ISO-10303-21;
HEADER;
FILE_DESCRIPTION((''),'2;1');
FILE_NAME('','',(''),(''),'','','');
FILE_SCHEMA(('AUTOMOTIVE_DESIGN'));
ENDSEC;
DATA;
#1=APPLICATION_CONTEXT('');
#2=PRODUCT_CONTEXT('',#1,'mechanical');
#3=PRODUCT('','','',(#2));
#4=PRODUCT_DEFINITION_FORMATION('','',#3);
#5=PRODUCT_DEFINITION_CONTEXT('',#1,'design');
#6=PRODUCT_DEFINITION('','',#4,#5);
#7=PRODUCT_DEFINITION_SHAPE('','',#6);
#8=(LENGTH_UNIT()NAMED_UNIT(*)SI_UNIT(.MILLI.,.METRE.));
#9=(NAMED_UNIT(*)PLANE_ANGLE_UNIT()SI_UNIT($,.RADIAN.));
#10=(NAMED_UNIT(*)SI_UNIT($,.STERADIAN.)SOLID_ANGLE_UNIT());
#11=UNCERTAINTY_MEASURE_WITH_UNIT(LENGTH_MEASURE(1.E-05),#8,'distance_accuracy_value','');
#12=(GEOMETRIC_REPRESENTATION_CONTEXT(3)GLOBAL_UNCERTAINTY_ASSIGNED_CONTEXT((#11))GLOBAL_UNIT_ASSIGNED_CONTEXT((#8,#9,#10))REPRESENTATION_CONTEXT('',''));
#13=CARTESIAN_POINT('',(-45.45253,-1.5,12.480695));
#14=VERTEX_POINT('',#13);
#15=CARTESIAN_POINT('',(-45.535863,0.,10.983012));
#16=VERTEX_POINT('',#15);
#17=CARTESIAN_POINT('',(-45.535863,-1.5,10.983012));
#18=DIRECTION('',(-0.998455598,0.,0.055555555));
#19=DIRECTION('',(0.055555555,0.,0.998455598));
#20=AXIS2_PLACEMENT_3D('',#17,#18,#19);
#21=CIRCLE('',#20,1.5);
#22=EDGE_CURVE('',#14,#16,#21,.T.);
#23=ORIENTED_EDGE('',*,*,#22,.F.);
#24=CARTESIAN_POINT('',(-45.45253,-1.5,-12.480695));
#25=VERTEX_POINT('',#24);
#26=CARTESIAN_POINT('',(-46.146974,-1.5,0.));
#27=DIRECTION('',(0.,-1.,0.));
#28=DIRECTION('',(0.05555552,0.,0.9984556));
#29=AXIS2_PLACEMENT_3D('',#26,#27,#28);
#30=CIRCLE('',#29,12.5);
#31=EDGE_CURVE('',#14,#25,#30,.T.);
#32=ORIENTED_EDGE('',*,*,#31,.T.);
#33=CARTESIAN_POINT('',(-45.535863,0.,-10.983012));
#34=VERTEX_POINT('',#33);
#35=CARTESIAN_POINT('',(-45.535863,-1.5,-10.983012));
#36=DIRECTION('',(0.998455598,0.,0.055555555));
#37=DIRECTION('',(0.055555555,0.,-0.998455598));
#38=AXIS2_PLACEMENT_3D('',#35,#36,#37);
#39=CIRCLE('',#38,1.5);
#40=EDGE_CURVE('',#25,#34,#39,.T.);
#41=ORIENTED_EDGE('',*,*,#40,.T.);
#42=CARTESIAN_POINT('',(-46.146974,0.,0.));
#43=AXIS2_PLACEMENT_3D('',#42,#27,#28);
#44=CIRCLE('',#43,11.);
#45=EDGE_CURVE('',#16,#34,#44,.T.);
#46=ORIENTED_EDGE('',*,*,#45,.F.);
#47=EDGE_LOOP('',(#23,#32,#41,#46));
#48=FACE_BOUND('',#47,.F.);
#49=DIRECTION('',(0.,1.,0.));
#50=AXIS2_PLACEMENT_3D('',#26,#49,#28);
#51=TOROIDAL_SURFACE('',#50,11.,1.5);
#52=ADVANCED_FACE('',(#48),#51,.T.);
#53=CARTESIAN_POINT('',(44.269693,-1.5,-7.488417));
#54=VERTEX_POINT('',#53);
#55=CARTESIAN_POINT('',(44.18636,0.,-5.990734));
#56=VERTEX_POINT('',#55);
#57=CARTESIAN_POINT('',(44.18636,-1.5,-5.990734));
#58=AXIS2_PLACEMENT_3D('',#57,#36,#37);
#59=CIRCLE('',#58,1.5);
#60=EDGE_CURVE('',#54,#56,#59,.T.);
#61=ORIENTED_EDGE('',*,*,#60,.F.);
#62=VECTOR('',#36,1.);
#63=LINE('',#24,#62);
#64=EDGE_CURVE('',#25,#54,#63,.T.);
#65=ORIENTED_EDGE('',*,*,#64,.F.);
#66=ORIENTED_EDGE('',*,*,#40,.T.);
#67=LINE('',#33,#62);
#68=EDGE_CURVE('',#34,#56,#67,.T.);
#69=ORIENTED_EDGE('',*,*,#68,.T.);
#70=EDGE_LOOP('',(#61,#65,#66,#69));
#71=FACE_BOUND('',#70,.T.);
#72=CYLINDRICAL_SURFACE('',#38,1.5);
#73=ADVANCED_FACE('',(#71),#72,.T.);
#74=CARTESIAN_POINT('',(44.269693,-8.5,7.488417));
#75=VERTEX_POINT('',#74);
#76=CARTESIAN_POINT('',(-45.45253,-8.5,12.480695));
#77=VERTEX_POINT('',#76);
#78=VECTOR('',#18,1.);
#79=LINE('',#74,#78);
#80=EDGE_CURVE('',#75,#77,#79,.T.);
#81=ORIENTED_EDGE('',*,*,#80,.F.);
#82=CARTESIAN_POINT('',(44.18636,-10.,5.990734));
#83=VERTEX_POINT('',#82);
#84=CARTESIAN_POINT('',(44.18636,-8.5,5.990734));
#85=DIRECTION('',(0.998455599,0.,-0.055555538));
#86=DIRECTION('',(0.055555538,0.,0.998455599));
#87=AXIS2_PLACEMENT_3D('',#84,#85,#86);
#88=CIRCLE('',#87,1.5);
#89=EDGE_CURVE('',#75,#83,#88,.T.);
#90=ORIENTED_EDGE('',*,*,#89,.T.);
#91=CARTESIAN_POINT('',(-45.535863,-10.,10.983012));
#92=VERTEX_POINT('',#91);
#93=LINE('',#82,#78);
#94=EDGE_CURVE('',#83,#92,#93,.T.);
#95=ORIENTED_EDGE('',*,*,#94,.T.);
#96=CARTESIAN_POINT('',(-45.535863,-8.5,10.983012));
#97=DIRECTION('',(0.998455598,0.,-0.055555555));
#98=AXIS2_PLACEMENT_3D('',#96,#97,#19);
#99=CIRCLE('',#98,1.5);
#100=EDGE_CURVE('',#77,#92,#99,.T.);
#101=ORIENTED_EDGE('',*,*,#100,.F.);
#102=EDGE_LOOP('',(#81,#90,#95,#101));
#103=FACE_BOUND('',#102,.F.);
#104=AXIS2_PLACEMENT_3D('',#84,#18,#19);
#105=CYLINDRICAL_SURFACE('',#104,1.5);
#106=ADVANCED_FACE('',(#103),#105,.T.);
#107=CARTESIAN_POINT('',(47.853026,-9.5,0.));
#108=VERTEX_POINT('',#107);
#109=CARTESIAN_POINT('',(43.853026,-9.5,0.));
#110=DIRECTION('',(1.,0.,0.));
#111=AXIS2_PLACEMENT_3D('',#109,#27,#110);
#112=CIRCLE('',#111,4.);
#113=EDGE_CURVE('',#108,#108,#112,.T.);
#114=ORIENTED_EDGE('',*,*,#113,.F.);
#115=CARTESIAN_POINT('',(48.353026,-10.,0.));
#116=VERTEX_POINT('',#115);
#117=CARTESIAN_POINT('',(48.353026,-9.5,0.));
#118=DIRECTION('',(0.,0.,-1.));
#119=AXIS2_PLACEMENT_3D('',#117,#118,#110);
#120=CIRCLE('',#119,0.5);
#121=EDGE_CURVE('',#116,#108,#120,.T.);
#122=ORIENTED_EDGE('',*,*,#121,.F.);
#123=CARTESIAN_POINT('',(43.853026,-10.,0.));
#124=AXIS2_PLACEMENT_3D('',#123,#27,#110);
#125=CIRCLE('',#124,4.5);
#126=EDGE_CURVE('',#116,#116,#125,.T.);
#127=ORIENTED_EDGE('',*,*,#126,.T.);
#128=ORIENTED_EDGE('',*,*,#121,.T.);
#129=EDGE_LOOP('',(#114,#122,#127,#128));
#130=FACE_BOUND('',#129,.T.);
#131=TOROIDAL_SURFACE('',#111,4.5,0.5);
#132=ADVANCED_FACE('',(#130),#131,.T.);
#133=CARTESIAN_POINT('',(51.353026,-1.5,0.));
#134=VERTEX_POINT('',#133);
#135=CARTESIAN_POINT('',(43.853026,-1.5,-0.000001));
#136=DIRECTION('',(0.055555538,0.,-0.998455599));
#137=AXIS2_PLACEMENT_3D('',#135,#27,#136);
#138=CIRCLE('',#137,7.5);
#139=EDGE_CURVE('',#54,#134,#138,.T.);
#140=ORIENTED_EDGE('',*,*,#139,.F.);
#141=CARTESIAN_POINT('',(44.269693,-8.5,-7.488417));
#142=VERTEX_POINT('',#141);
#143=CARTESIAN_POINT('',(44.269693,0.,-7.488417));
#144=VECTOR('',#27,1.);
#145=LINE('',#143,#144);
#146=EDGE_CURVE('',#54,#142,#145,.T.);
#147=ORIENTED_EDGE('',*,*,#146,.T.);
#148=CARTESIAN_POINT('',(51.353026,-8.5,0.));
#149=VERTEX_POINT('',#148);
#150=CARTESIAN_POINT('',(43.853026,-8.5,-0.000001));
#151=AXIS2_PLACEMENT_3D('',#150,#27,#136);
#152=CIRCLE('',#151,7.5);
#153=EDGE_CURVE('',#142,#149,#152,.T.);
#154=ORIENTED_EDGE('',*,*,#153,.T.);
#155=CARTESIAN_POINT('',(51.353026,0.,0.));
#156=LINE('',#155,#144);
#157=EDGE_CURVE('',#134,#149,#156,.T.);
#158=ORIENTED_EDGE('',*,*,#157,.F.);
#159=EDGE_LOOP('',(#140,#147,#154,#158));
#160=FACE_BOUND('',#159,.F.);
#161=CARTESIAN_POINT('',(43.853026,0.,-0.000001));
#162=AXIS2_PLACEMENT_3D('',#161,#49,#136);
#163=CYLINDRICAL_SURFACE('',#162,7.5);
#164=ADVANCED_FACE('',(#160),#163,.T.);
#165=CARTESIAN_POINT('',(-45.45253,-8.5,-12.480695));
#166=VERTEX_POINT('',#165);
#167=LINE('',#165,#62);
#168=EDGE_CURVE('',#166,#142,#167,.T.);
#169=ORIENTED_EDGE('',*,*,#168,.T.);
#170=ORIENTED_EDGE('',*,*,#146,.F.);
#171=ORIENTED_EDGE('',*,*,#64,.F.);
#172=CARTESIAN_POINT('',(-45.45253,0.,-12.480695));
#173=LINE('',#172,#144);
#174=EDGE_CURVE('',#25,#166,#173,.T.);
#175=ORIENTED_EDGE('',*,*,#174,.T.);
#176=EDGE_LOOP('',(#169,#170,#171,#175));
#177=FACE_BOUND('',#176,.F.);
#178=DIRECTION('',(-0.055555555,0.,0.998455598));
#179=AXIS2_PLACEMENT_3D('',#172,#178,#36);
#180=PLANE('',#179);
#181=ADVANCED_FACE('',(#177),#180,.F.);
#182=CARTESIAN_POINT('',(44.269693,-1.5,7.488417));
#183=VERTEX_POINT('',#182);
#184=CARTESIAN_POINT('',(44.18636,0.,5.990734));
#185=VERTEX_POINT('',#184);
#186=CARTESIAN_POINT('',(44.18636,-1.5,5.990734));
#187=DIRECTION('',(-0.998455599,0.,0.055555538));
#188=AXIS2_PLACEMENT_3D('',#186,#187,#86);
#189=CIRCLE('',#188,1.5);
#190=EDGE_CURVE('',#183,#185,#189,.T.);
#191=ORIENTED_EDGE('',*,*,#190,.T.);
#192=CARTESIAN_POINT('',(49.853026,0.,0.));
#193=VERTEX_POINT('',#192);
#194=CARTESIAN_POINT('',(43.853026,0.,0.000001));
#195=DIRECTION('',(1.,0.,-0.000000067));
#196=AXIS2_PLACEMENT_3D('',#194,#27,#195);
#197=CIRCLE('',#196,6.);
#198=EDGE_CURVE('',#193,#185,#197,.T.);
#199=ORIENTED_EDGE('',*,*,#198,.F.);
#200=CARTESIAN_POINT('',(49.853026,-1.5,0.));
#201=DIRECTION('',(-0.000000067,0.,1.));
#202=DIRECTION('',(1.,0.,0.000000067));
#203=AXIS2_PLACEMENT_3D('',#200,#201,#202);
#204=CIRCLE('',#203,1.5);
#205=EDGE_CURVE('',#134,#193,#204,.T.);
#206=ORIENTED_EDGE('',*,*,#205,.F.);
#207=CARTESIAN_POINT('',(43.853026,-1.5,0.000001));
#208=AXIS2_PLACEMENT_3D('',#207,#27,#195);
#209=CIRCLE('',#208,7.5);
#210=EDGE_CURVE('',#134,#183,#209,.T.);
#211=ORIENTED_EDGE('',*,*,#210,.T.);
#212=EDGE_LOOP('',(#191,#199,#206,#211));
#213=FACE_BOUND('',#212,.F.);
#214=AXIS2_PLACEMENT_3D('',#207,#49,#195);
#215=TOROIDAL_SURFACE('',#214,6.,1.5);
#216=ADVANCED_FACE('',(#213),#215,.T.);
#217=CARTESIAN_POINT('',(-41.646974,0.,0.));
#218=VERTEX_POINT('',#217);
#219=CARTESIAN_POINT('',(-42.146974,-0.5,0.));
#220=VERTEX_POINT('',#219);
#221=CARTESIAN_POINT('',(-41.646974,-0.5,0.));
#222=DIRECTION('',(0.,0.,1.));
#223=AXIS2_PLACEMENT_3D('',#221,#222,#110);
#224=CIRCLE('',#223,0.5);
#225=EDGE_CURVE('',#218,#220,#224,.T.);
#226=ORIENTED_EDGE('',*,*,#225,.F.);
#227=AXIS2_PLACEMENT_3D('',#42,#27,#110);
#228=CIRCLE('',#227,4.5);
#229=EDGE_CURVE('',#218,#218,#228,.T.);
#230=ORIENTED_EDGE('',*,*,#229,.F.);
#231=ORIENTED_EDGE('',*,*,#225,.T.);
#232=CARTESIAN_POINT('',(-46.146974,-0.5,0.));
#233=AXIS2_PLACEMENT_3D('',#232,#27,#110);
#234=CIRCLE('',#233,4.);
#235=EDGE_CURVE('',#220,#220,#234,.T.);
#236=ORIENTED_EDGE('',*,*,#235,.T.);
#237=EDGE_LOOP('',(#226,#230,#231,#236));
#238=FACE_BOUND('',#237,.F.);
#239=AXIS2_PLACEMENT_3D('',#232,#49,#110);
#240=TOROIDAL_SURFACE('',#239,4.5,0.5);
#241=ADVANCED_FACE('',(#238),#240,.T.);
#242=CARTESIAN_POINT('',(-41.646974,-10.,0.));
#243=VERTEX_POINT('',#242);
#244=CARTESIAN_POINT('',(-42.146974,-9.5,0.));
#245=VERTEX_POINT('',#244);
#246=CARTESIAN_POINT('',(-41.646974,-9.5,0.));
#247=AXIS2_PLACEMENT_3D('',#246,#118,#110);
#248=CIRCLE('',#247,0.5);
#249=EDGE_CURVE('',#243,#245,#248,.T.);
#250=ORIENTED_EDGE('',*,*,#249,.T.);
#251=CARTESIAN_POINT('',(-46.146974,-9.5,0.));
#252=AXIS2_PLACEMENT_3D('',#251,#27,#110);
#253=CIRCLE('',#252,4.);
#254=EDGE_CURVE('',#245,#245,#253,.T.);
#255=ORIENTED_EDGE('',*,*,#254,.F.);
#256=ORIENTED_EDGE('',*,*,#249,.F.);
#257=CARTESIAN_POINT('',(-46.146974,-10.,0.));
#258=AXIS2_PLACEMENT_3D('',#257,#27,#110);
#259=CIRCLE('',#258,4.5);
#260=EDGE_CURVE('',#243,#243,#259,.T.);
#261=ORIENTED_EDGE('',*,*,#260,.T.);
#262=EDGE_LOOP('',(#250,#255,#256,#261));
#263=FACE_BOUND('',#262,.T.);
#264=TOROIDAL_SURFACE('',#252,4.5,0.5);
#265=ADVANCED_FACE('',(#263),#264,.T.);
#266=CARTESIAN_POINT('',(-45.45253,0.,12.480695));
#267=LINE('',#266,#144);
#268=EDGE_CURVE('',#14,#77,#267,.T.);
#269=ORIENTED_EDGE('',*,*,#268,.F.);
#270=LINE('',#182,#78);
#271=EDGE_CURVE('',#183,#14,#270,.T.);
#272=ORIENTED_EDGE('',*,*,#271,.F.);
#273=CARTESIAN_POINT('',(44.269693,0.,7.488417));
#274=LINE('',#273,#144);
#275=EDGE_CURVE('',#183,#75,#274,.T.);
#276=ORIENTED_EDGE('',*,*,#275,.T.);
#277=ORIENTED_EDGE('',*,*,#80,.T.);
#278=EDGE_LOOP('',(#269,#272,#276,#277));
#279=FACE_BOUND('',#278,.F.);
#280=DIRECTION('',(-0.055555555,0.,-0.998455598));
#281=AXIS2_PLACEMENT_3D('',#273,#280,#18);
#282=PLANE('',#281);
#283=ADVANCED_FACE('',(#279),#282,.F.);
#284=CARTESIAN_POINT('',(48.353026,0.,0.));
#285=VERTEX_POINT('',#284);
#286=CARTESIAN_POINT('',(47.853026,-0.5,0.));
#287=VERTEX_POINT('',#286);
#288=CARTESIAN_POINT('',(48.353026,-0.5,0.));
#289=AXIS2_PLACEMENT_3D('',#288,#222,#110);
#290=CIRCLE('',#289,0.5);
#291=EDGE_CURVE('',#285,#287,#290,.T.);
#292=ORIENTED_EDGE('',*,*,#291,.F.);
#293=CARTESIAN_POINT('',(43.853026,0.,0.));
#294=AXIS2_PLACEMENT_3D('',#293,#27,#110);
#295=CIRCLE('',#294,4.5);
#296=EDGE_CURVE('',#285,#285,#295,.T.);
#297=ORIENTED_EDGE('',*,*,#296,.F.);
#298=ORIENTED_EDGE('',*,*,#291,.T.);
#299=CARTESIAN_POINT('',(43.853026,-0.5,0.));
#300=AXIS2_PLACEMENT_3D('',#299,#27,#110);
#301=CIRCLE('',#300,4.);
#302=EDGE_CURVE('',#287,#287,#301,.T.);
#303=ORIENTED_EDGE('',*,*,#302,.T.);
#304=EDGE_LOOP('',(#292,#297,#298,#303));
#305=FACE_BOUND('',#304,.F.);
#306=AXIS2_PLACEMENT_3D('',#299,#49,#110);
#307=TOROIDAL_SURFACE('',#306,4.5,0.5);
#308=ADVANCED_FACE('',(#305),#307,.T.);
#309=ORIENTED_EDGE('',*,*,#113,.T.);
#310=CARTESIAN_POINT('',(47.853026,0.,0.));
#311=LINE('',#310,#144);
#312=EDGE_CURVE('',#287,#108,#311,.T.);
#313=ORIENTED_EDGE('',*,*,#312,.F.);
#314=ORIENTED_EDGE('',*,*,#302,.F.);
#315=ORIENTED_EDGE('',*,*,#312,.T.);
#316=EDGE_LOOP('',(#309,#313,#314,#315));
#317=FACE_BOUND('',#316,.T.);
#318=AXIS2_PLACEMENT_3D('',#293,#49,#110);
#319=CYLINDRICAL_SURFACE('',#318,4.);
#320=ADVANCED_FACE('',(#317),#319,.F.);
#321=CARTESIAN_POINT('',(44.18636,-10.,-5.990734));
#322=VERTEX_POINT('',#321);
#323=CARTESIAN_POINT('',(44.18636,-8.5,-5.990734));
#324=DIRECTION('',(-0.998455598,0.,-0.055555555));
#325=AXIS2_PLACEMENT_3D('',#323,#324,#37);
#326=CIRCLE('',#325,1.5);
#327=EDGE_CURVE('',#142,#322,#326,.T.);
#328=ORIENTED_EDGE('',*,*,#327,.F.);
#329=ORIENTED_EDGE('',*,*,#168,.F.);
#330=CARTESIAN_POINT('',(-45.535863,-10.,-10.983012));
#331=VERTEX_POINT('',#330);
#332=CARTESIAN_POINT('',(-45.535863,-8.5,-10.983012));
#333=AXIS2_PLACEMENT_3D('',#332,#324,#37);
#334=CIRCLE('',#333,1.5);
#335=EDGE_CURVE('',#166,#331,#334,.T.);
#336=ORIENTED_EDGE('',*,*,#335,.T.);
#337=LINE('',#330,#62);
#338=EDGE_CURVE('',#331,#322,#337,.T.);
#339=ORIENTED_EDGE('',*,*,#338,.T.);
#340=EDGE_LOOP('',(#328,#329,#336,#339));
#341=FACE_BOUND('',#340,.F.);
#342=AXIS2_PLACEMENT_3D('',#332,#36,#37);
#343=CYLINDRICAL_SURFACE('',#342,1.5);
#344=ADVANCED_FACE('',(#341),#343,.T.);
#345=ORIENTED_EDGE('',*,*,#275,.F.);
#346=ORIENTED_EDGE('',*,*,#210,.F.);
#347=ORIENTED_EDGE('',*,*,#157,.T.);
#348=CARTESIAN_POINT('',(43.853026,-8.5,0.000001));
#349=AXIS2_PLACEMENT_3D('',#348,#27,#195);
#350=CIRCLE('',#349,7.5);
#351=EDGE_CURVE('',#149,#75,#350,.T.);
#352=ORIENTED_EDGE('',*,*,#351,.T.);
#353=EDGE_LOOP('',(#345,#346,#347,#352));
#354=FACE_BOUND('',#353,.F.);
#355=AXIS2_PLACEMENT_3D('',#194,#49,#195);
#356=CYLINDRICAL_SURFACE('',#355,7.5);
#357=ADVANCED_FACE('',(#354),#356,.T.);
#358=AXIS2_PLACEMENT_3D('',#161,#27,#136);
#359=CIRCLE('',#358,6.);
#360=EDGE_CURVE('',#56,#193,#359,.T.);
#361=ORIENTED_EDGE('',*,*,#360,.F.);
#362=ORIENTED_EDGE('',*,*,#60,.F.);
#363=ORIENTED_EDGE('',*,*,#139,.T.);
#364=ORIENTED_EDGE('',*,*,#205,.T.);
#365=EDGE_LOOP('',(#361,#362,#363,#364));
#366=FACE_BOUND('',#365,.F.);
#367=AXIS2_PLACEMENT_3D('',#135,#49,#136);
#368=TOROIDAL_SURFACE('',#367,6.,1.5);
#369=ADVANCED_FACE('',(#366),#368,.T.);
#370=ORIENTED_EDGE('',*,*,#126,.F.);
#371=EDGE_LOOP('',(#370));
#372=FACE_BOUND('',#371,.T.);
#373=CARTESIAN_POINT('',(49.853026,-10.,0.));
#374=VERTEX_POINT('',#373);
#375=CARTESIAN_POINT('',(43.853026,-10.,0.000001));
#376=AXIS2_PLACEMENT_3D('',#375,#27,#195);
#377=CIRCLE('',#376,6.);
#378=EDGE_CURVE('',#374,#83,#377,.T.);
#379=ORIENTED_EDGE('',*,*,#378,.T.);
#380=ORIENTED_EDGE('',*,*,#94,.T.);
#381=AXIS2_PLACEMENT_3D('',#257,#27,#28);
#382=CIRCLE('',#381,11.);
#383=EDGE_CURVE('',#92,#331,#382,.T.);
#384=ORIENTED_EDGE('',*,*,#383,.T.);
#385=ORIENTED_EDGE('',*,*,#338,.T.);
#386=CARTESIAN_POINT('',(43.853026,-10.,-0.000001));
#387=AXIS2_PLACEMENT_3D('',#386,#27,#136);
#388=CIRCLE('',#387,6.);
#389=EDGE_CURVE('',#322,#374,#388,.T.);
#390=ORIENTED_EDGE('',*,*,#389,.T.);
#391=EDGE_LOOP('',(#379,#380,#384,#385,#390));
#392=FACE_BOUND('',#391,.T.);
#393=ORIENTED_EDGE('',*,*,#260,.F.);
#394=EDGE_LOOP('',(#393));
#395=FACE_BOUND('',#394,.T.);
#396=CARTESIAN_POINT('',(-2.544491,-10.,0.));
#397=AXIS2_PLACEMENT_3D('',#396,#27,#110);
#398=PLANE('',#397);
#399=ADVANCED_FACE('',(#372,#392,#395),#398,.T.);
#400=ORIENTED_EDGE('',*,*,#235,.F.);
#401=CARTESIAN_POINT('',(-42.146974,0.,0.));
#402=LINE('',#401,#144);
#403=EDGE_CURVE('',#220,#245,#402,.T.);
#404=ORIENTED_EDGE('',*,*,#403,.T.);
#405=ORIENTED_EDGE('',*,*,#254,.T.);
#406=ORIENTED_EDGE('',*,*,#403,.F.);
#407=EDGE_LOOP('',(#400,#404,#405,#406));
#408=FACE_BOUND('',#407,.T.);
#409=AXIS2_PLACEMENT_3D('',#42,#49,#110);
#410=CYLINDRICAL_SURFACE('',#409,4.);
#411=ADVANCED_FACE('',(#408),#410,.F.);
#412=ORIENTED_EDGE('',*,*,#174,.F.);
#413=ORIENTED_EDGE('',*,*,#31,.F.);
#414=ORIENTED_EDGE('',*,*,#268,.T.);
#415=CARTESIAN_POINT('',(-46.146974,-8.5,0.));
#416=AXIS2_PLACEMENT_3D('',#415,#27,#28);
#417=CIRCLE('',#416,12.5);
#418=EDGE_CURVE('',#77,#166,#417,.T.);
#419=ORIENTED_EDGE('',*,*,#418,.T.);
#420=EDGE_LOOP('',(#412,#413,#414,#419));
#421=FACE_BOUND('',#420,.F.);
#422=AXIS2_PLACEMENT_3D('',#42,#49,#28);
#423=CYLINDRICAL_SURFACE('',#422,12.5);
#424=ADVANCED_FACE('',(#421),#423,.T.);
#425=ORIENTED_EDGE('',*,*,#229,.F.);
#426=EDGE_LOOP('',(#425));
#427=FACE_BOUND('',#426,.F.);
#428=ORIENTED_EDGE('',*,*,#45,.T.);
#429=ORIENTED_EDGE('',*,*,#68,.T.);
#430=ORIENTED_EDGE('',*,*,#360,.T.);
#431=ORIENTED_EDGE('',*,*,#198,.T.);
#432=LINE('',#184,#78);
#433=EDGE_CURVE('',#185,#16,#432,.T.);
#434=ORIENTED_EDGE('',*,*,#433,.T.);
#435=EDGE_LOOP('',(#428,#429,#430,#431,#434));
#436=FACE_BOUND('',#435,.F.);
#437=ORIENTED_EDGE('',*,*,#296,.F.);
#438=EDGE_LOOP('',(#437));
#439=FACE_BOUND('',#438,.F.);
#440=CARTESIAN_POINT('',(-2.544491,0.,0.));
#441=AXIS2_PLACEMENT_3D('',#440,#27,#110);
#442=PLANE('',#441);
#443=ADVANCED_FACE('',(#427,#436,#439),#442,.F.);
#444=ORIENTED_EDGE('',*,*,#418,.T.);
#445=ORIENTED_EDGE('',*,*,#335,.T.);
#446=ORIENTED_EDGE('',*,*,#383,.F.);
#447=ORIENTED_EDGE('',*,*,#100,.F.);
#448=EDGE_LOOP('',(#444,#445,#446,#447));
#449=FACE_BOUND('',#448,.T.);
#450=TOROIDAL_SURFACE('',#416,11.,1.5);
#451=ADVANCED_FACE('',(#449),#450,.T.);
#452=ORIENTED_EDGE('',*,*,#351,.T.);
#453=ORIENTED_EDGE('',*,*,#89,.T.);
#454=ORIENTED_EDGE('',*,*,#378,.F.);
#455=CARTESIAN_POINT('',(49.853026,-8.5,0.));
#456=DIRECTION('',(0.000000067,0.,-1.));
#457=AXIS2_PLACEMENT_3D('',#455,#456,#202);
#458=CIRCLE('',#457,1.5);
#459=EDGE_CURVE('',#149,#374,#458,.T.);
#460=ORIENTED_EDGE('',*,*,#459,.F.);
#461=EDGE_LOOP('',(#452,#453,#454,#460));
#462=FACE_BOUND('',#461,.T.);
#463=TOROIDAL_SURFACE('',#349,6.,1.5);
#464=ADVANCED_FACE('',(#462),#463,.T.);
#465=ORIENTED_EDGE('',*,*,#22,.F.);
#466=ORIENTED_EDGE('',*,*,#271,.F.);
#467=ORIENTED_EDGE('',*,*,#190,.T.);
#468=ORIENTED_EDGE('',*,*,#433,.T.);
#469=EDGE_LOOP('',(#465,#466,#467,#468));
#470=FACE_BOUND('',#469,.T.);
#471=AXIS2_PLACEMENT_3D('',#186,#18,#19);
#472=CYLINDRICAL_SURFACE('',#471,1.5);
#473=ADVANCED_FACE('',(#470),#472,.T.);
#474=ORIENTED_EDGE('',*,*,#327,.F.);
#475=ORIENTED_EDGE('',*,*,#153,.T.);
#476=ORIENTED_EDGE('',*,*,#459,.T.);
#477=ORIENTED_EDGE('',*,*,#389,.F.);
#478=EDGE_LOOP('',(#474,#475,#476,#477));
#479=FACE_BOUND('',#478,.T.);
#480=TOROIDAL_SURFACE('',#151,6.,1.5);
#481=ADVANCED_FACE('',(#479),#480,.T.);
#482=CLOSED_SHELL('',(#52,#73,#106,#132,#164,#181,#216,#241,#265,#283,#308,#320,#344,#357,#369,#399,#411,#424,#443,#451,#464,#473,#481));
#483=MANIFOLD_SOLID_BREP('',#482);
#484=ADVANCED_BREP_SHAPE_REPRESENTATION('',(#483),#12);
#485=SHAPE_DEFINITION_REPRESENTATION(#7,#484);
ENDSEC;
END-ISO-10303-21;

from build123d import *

# Parameters (mm, degrees)
F0_R     = 4
F1_DEPTH = 10
F2_R     = 1.5
F3_R     = 0.5


with BuildPart() as f1:
    # F0 (on Front) → F1 (new body)
    with BuildSketch(Plane.XZ):
        with BuildLine():
            ThreePointArc((-45.45253, 12.480695), (-37.065935, 8.589803), (-33.646974, 0))
            ThreePointArc((-33.646974, 0), (-37.065935, -8.589803), (-45.45253, -12.480695))
            Line((-45.45253, -12.480695), (44.269693, -7.488417))
            ThreePointArc((44.269693, -7.488417), (36.353026, 0), (44.269693, 7.488417))
            Line((44.269693, 7.488417), (-45.45253, 12.480695))
        make_face()
        with BuildLine():
            ThreePointArc((51.353026, 0), (49.30165, 5.153882), (44.269693, 7.488417))
            ThreePointArc((44.269693, 7.488417), (36.353026, 0), (44.269693, -7.488417))
            ThreePointArc((44.269693, -7.488417), (49.30165, -5.153882), (51.353026, 0))
        make_face()
        with Locations((43.853026, 0)):
            Circle(F0_R, mode=Mode.SUBTRACT)
        with BuildLine():
            ThreePointArc((-45.45253, -12.480695), (-37.065935, -8.589803), (-33.646974, 0))
            ThreePointArc((-33.646974, 0), (-37.065935, 8.589803), (-45.45253, 12.480695))
            ThreePointArc((-45.45253, 12.480695), (-58.646974, 0), (-45.45253, -12.480695))
        make_face()
        with Locations((-46.146974, 0)):
            Circle(F0_R, mode=Mode.SUBTRACT)
    extrude(amount=F1_DEPTH)

    # F2
    f2_edges = [f1.edges().sort_by_distance(p)[0] for p in [
        (-0.591418, -10, -9.984556),
        (-0.591418, 0, -9.984556),
    ]]
    fillet(f2_edges, radius=F2_R)

    # F3
    f3_edges = [f1.edges().sort_by_distance(p)[0] for p in [
        (-50.146974, 0, 0),
        (-50.146974, -10, 0),
        (39.853026, 0, 0),
        (39.853026, -10, 0),
    ]]
    fillet(f3_edges, radius=F3_R)


solid = f1.part
